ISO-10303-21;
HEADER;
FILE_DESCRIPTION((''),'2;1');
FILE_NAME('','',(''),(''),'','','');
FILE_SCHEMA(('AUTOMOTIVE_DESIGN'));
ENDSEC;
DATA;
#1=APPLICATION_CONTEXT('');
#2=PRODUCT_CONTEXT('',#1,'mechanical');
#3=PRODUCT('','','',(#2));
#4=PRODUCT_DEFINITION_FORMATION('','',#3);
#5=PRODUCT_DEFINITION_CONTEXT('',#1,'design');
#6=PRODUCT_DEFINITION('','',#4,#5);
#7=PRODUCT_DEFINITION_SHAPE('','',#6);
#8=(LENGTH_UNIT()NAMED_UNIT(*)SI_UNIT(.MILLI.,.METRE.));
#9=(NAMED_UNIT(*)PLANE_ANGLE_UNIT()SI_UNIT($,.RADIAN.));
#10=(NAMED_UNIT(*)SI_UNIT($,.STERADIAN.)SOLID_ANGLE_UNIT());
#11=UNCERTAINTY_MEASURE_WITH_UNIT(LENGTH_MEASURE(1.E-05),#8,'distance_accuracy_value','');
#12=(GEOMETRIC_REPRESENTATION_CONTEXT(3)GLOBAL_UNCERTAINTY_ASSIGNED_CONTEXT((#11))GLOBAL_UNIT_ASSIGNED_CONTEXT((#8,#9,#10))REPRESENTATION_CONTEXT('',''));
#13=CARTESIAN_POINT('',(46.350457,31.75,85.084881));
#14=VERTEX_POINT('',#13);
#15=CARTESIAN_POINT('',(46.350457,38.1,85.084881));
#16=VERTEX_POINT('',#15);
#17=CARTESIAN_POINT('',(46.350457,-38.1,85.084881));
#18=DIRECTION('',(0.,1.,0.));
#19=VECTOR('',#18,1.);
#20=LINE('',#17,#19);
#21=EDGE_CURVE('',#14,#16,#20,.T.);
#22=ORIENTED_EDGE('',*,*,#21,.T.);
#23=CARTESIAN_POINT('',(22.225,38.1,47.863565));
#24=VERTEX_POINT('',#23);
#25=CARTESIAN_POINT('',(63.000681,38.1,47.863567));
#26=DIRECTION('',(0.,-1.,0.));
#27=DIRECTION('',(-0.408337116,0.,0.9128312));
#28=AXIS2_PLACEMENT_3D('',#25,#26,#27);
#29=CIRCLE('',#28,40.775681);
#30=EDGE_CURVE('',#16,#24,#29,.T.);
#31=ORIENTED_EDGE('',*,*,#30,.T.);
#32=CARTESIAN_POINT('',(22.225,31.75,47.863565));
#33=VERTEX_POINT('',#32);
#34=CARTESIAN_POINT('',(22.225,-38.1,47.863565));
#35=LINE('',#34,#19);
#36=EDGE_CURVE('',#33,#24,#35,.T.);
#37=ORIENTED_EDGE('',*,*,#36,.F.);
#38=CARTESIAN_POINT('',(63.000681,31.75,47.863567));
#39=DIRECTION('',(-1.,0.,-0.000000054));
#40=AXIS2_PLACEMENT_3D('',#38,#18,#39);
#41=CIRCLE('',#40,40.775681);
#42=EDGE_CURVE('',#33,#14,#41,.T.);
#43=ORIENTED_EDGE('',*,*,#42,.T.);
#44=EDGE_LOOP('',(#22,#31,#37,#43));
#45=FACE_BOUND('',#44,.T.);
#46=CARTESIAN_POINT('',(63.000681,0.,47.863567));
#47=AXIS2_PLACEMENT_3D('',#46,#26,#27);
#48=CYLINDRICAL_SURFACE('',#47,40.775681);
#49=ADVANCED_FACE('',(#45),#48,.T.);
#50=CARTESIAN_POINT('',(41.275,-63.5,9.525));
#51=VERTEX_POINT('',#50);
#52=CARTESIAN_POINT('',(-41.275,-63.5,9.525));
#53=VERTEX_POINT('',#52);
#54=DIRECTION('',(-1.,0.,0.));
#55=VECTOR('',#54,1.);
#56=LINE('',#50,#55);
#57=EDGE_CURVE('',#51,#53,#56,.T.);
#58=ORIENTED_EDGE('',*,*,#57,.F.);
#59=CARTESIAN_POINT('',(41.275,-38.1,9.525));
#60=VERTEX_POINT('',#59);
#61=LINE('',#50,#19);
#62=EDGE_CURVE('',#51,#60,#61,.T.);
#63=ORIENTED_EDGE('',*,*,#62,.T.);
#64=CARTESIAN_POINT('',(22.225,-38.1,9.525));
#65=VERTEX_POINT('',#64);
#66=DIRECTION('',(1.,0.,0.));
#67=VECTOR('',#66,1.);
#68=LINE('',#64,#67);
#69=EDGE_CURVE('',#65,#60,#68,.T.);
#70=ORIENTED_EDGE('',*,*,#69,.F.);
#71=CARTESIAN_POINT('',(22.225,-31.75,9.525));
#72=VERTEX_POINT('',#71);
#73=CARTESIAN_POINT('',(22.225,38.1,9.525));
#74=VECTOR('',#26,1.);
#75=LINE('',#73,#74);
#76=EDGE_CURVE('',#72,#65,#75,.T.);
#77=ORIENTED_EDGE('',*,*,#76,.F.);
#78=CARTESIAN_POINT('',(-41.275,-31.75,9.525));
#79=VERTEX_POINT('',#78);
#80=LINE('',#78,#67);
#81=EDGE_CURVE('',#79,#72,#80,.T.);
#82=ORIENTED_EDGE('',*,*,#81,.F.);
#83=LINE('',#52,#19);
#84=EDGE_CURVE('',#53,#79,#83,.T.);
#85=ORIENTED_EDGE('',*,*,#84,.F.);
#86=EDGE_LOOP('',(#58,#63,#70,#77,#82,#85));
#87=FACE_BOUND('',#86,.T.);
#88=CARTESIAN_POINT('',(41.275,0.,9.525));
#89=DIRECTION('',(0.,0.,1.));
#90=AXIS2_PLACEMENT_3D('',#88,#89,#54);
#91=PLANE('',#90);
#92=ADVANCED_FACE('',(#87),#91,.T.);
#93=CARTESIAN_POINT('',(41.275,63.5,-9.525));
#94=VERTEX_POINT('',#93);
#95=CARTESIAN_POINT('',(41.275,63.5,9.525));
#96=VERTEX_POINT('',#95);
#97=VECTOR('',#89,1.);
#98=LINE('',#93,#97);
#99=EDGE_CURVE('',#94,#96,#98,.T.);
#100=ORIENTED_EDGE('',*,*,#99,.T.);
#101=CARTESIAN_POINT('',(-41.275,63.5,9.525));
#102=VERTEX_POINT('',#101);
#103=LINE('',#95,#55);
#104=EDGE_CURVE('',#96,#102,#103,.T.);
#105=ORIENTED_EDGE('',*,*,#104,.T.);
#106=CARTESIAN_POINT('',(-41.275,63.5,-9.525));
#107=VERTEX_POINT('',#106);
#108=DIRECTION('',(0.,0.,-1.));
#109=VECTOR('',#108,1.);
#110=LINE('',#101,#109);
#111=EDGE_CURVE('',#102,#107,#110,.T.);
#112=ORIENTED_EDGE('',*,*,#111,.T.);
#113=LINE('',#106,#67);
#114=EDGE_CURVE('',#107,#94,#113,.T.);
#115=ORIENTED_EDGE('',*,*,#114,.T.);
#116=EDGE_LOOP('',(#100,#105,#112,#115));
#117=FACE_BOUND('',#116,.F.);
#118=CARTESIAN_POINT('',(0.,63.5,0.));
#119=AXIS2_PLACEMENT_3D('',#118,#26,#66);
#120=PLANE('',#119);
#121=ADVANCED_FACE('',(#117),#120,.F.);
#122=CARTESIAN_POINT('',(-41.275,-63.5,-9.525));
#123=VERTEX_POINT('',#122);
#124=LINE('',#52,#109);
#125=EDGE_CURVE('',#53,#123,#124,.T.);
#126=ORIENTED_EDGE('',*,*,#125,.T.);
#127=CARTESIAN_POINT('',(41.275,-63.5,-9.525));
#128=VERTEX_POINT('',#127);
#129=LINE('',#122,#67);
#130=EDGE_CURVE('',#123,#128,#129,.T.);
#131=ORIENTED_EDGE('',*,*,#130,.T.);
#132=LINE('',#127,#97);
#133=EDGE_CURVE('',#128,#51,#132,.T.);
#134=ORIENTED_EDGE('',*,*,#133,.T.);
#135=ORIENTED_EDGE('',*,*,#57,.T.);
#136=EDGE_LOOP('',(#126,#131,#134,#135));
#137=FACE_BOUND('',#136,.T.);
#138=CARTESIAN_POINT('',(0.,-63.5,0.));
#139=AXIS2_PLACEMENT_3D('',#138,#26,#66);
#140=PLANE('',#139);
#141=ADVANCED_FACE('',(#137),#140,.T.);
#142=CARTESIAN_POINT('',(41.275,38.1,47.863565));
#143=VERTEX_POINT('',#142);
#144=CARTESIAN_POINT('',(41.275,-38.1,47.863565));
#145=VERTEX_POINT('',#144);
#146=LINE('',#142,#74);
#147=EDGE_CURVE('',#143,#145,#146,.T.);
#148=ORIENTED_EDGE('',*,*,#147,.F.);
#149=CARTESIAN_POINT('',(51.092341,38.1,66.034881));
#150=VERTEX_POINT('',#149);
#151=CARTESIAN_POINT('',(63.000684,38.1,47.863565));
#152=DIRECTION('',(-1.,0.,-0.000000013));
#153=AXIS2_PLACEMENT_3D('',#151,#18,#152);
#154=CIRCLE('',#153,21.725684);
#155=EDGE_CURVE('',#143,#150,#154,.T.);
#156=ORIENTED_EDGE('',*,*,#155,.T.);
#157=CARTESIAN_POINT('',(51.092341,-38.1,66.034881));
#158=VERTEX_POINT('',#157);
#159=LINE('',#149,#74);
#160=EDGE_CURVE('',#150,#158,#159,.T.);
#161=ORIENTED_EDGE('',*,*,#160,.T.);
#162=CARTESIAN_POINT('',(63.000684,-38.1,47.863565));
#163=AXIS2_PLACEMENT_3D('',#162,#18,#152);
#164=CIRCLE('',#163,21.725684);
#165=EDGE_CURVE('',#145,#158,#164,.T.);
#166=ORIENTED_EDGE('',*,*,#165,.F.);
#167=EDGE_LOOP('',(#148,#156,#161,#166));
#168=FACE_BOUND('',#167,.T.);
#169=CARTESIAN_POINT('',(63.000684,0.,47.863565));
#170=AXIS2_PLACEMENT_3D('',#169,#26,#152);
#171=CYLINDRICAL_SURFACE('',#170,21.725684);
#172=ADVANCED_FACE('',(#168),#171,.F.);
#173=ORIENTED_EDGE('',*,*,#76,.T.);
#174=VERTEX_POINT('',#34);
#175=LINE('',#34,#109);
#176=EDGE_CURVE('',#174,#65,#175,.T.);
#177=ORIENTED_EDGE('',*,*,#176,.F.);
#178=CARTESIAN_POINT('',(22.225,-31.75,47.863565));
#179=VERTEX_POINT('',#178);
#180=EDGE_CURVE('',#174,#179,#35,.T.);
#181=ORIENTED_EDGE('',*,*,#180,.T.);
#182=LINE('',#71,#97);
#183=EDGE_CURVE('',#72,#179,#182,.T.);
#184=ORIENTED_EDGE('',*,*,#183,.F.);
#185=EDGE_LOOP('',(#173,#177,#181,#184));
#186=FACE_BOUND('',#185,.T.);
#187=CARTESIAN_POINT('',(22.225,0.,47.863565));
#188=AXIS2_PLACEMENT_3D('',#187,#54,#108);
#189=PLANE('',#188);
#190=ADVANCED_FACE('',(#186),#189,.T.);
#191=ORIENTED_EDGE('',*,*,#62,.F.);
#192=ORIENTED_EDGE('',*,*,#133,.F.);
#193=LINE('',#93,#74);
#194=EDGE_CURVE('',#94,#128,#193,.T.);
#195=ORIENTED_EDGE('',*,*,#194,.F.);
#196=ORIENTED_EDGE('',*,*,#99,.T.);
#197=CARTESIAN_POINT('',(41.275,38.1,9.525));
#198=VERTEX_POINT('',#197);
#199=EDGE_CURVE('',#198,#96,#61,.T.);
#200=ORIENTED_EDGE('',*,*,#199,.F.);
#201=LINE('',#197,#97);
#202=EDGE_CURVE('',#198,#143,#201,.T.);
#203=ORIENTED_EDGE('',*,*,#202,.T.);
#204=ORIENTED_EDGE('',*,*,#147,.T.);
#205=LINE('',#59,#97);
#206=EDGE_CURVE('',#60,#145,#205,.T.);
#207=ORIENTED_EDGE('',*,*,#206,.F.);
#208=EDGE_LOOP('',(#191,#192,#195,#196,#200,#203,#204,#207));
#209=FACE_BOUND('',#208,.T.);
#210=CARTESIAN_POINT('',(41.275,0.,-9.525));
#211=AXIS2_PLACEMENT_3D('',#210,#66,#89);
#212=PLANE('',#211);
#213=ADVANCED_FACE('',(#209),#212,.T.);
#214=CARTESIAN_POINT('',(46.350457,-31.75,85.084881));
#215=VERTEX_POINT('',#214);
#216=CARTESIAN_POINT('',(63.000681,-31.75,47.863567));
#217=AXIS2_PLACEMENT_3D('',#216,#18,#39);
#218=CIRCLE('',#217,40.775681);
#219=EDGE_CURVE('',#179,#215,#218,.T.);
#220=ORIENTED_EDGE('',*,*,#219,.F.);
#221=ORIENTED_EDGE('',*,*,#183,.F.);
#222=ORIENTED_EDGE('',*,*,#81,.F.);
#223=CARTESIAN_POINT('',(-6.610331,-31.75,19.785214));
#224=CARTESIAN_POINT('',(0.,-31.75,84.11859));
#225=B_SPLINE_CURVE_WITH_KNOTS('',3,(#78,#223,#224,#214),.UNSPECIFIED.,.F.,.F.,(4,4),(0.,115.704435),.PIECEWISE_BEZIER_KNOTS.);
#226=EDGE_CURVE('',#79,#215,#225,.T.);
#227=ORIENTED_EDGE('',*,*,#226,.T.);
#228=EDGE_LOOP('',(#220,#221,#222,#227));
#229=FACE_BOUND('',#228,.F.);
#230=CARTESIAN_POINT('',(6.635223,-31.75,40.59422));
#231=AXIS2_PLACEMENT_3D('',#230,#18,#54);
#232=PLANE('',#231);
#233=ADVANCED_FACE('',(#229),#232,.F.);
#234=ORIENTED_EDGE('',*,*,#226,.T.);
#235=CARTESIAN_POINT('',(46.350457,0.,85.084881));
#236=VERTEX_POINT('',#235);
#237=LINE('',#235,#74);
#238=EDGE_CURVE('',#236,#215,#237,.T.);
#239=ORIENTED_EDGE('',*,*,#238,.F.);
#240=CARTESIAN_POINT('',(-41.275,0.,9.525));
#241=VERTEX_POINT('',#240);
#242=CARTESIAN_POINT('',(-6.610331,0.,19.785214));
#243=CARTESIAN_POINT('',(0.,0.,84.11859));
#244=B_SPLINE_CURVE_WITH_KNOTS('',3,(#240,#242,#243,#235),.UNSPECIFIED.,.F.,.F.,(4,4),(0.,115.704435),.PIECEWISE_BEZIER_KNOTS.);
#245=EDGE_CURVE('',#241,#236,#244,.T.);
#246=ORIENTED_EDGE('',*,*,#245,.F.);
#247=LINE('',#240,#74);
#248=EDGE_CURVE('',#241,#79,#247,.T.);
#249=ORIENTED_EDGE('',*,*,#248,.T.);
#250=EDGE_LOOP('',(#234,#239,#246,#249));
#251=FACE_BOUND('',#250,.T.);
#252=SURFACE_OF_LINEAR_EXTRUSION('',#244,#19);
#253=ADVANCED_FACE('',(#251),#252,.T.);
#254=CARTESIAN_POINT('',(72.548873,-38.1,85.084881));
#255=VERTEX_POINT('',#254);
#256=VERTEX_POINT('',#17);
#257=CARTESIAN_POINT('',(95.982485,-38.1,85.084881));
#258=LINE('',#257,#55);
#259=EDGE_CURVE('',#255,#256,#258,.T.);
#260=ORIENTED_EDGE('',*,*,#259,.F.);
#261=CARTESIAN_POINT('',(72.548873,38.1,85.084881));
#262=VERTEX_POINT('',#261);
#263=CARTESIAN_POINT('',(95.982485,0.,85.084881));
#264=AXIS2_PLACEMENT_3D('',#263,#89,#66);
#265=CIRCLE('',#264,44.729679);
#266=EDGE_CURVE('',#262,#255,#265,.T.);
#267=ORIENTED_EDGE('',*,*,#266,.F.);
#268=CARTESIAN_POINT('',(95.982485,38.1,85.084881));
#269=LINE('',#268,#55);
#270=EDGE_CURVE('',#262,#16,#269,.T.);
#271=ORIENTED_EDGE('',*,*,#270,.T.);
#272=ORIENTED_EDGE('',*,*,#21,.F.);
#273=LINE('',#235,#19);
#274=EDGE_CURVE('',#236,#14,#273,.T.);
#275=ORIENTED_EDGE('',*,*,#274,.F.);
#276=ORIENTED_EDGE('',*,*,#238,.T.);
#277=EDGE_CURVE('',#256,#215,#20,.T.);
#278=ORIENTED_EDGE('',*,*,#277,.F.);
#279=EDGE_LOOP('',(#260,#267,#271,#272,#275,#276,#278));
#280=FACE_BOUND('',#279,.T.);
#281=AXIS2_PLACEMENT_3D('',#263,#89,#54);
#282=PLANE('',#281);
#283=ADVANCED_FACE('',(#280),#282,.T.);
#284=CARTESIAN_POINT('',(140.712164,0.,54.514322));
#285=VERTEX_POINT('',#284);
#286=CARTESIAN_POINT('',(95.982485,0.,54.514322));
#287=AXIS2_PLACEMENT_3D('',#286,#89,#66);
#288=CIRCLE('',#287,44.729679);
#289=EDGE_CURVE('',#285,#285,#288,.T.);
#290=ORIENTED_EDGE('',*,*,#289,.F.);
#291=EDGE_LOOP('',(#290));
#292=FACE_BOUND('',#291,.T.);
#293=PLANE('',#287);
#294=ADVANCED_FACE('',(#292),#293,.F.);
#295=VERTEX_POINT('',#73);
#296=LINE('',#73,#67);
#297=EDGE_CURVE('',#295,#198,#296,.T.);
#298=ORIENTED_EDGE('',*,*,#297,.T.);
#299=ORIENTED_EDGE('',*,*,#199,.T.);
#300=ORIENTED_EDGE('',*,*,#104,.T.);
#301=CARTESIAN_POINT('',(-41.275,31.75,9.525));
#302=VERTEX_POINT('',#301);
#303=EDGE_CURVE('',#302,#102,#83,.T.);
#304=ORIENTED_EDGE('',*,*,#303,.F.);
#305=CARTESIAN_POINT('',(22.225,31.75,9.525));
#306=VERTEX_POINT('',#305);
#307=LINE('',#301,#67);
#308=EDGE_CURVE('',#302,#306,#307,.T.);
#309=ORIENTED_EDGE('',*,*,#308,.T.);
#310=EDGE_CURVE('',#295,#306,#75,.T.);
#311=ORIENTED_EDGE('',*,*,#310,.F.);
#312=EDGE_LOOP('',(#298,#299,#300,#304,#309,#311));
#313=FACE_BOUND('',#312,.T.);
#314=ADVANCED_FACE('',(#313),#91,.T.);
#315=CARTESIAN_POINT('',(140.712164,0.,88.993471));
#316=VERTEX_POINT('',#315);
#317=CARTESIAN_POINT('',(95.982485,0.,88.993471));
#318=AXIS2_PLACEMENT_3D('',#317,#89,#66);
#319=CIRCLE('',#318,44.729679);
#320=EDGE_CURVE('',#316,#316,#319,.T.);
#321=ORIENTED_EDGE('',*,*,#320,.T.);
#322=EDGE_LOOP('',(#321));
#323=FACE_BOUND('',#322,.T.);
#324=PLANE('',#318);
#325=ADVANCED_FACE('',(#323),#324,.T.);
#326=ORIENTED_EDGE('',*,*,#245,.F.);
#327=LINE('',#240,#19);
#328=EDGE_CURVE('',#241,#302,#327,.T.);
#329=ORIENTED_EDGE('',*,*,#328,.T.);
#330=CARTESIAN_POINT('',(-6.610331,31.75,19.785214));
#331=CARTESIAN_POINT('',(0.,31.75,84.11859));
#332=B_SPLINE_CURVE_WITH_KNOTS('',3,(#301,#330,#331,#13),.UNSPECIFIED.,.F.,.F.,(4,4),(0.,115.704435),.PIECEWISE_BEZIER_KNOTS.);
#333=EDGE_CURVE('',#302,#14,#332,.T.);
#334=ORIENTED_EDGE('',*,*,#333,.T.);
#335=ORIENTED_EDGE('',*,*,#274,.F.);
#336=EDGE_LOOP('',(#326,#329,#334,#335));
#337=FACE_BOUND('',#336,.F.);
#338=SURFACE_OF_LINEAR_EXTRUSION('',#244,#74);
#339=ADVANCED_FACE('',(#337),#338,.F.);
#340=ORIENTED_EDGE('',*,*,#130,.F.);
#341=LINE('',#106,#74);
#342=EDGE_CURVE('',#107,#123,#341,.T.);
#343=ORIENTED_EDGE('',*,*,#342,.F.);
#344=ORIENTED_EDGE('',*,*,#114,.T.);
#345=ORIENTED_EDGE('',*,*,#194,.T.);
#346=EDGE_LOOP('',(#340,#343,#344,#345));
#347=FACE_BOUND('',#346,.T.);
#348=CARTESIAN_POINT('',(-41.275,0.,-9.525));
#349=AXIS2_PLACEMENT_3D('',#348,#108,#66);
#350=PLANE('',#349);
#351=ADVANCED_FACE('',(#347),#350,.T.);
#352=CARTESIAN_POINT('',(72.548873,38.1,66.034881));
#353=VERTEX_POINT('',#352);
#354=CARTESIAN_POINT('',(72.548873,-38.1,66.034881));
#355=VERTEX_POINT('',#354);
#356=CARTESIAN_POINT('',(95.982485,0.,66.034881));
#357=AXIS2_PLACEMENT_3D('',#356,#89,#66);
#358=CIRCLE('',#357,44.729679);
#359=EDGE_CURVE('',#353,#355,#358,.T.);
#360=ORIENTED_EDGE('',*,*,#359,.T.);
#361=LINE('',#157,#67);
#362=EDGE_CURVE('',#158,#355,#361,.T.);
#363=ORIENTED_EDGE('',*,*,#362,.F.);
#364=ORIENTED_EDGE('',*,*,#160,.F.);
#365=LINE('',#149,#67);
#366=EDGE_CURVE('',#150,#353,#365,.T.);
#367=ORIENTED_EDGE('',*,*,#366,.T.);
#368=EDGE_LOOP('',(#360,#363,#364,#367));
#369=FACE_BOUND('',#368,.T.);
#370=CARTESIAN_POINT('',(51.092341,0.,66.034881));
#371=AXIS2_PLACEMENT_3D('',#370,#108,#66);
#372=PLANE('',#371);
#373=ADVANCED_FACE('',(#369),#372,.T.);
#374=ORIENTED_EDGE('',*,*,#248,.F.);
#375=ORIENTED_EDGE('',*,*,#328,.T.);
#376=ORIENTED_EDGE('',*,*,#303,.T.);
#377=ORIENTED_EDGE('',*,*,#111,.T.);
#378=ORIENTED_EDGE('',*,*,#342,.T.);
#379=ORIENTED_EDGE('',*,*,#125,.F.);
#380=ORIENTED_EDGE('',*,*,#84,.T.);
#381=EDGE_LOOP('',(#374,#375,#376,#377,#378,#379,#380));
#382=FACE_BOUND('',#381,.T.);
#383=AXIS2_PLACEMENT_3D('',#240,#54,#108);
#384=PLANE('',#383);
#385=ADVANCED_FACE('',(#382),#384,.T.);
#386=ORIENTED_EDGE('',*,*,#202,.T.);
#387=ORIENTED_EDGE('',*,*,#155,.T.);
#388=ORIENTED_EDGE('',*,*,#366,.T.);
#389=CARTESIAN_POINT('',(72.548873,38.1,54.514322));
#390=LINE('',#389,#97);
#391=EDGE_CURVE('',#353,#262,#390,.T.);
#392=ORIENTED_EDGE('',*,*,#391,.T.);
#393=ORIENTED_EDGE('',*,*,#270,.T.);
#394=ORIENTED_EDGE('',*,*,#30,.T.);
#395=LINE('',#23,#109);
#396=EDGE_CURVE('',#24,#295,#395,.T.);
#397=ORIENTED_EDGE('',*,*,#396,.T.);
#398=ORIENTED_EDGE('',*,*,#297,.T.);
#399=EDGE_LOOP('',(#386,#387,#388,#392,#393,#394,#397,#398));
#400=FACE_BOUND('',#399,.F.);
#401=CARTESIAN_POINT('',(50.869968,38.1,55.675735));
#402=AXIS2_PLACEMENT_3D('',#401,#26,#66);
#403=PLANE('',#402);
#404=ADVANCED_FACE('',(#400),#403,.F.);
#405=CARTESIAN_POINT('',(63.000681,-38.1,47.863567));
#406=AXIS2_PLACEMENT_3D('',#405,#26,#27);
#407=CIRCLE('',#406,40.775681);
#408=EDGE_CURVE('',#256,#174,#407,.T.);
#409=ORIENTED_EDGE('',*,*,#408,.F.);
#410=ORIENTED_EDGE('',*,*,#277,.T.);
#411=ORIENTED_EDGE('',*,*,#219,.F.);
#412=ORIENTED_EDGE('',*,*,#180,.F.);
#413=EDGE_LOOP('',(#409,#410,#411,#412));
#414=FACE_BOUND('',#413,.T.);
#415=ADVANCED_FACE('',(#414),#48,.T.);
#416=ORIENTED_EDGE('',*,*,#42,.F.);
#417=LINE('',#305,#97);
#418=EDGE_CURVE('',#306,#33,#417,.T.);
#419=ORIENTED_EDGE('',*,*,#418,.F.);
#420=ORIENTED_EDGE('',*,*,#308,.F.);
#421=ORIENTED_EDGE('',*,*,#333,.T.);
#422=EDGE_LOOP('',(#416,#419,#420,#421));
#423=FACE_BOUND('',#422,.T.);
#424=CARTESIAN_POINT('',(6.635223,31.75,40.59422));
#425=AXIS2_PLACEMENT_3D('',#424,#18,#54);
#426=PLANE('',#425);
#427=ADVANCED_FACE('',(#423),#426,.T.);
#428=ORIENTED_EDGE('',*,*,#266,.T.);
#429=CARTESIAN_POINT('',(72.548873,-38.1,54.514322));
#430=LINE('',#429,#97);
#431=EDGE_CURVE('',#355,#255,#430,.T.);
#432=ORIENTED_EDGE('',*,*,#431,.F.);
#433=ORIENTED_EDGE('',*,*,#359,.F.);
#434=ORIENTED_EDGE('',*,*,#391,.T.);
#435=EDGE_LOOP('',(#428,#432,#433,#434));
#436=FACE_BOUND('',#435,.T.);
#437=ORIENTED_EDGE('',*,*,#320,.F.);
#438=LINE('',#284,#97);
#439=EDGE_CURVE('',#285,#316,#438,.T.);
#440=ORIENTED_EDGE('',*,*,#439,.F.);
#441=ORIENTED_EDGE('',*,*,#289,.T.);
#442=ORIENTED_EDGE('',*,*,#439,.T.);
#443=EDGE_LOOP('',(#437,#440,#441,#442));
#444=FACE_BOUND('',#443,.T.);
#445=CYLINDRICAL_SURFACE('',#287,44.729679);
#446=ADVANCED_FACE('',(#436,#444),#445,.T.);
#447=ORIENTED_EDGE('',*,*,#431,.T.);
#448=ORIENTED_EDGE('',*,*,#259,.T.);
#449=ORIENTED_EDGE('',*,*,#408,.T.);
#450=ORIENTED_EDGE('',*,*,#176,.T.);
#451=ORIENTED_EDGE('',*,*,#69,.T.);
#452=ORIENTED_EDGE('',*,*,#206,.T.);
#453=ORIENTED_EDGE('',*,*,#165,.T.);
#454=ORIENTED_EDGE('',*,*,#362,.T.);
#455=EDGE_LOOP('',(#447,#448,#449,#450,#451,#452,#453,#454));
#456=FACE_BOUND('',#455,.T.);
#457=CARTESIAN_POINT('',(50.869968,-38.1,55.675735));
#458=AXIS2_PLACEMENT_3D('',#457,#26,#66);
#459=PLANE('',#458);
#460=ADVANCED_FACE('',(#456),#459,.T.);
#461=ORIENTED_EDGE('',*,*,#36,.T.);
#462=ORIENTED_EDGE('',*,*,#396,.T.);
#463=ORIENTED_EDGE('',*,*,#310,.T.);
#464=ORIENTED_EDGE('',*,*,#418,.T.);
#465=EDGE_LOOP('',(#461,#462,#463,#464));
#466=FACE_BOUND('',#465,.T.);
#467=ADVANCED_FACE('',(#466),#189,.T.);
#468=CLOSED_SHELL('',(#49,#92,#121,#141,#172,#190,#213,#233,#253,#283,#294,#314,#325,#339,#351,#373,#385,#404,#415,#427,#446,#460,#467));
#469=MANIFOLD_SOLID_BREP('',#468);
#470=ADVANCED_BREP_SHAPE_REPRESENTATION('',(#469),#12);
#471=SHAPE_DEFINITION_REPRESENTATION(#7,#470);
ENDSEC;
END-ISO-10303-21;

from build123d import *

# Parameters (mm, degrees)
F1_DEPTH = 63.5
F2_DEPTH = 38.1
F3_DEPTH = 31.75


with BuildPart() as f1:
    # F0 (on Front) → F1 (new body, symmetric)
    with BuildSketch(Plane.XZ):
        Polygon((22.225, 9.525), (-41.275, 9.525), (-41.275, -9.525), (41.275, -9.525), (41.275, 9.525), align=None)
    extrude(amount=F1_DEPTH, both=True)

    # F0 (on Front) → F2 (join, symmetric)
    with BuildSketch(Plane.XZ):
        with BuildLine():
            Line((22.225, 47.863565), (22.225, 9.525))
            Line((22.225, 9.525), (41.275, 9.525))
            Line((41.275, 9.525), (41.275, 47.863565))
            ThreePointArc((41.275, 47.863565), (43.886262, 58.190434), (51.092341, 66.034881))
            Line((51.092341, 66.034881), (95.982485, 66.034881))
            Line((95.982485, 66.034881), (95.982485, 85.084881))
            Line((95.982485, 85.084881), (46.350457, 85.084881))
            ThreePointArc((46.350457, 85.084881), (28.783869, 70.041618), (22.225, 47.863565))
        make_face()
    extrude(amount=F2_DEPTH, both=True)

    # F0 (on Front) → F3 (join, symmetric)
    with BuildSketch(Plane.XZ):
        with BuildLine():
            add(Edge.make_bspline(
                [(-41.275, 9.525), (-6.610331, 19.785214), (0, 84.11859), (46.350457, 85.084881)],
                knots=[0, 0, 0, 0, 115.704435, 115.704435, 115.704435, 115.704435], degree=3))
            Line((-41.275, 9.525), (22.225, 9.525))
            Line((22.225, 9.525), (22.225, 47.863565))
            ThreePointArc((22.225, 47.863565), (28.783869, 70.041618), (46.350457, 85.084881))
        make_face()
    extrude(amount=F3_DEPTH, both=True)

    # F0 (on Front) → F4 (revolve)
    with BuildSketch(Plane.XZ):
        Polygon((95.982485, 88.993471), (95.982485, 85.084881), (95.982485, 66.034881), (95.982485, 54.514322), (140.712164, 54.514322), (140.712164, 88.993471), align=None)
    revolve(axis=Axis((95.982485, 0, 71.753897), (0, 0, 1)))


solid = f1.part
